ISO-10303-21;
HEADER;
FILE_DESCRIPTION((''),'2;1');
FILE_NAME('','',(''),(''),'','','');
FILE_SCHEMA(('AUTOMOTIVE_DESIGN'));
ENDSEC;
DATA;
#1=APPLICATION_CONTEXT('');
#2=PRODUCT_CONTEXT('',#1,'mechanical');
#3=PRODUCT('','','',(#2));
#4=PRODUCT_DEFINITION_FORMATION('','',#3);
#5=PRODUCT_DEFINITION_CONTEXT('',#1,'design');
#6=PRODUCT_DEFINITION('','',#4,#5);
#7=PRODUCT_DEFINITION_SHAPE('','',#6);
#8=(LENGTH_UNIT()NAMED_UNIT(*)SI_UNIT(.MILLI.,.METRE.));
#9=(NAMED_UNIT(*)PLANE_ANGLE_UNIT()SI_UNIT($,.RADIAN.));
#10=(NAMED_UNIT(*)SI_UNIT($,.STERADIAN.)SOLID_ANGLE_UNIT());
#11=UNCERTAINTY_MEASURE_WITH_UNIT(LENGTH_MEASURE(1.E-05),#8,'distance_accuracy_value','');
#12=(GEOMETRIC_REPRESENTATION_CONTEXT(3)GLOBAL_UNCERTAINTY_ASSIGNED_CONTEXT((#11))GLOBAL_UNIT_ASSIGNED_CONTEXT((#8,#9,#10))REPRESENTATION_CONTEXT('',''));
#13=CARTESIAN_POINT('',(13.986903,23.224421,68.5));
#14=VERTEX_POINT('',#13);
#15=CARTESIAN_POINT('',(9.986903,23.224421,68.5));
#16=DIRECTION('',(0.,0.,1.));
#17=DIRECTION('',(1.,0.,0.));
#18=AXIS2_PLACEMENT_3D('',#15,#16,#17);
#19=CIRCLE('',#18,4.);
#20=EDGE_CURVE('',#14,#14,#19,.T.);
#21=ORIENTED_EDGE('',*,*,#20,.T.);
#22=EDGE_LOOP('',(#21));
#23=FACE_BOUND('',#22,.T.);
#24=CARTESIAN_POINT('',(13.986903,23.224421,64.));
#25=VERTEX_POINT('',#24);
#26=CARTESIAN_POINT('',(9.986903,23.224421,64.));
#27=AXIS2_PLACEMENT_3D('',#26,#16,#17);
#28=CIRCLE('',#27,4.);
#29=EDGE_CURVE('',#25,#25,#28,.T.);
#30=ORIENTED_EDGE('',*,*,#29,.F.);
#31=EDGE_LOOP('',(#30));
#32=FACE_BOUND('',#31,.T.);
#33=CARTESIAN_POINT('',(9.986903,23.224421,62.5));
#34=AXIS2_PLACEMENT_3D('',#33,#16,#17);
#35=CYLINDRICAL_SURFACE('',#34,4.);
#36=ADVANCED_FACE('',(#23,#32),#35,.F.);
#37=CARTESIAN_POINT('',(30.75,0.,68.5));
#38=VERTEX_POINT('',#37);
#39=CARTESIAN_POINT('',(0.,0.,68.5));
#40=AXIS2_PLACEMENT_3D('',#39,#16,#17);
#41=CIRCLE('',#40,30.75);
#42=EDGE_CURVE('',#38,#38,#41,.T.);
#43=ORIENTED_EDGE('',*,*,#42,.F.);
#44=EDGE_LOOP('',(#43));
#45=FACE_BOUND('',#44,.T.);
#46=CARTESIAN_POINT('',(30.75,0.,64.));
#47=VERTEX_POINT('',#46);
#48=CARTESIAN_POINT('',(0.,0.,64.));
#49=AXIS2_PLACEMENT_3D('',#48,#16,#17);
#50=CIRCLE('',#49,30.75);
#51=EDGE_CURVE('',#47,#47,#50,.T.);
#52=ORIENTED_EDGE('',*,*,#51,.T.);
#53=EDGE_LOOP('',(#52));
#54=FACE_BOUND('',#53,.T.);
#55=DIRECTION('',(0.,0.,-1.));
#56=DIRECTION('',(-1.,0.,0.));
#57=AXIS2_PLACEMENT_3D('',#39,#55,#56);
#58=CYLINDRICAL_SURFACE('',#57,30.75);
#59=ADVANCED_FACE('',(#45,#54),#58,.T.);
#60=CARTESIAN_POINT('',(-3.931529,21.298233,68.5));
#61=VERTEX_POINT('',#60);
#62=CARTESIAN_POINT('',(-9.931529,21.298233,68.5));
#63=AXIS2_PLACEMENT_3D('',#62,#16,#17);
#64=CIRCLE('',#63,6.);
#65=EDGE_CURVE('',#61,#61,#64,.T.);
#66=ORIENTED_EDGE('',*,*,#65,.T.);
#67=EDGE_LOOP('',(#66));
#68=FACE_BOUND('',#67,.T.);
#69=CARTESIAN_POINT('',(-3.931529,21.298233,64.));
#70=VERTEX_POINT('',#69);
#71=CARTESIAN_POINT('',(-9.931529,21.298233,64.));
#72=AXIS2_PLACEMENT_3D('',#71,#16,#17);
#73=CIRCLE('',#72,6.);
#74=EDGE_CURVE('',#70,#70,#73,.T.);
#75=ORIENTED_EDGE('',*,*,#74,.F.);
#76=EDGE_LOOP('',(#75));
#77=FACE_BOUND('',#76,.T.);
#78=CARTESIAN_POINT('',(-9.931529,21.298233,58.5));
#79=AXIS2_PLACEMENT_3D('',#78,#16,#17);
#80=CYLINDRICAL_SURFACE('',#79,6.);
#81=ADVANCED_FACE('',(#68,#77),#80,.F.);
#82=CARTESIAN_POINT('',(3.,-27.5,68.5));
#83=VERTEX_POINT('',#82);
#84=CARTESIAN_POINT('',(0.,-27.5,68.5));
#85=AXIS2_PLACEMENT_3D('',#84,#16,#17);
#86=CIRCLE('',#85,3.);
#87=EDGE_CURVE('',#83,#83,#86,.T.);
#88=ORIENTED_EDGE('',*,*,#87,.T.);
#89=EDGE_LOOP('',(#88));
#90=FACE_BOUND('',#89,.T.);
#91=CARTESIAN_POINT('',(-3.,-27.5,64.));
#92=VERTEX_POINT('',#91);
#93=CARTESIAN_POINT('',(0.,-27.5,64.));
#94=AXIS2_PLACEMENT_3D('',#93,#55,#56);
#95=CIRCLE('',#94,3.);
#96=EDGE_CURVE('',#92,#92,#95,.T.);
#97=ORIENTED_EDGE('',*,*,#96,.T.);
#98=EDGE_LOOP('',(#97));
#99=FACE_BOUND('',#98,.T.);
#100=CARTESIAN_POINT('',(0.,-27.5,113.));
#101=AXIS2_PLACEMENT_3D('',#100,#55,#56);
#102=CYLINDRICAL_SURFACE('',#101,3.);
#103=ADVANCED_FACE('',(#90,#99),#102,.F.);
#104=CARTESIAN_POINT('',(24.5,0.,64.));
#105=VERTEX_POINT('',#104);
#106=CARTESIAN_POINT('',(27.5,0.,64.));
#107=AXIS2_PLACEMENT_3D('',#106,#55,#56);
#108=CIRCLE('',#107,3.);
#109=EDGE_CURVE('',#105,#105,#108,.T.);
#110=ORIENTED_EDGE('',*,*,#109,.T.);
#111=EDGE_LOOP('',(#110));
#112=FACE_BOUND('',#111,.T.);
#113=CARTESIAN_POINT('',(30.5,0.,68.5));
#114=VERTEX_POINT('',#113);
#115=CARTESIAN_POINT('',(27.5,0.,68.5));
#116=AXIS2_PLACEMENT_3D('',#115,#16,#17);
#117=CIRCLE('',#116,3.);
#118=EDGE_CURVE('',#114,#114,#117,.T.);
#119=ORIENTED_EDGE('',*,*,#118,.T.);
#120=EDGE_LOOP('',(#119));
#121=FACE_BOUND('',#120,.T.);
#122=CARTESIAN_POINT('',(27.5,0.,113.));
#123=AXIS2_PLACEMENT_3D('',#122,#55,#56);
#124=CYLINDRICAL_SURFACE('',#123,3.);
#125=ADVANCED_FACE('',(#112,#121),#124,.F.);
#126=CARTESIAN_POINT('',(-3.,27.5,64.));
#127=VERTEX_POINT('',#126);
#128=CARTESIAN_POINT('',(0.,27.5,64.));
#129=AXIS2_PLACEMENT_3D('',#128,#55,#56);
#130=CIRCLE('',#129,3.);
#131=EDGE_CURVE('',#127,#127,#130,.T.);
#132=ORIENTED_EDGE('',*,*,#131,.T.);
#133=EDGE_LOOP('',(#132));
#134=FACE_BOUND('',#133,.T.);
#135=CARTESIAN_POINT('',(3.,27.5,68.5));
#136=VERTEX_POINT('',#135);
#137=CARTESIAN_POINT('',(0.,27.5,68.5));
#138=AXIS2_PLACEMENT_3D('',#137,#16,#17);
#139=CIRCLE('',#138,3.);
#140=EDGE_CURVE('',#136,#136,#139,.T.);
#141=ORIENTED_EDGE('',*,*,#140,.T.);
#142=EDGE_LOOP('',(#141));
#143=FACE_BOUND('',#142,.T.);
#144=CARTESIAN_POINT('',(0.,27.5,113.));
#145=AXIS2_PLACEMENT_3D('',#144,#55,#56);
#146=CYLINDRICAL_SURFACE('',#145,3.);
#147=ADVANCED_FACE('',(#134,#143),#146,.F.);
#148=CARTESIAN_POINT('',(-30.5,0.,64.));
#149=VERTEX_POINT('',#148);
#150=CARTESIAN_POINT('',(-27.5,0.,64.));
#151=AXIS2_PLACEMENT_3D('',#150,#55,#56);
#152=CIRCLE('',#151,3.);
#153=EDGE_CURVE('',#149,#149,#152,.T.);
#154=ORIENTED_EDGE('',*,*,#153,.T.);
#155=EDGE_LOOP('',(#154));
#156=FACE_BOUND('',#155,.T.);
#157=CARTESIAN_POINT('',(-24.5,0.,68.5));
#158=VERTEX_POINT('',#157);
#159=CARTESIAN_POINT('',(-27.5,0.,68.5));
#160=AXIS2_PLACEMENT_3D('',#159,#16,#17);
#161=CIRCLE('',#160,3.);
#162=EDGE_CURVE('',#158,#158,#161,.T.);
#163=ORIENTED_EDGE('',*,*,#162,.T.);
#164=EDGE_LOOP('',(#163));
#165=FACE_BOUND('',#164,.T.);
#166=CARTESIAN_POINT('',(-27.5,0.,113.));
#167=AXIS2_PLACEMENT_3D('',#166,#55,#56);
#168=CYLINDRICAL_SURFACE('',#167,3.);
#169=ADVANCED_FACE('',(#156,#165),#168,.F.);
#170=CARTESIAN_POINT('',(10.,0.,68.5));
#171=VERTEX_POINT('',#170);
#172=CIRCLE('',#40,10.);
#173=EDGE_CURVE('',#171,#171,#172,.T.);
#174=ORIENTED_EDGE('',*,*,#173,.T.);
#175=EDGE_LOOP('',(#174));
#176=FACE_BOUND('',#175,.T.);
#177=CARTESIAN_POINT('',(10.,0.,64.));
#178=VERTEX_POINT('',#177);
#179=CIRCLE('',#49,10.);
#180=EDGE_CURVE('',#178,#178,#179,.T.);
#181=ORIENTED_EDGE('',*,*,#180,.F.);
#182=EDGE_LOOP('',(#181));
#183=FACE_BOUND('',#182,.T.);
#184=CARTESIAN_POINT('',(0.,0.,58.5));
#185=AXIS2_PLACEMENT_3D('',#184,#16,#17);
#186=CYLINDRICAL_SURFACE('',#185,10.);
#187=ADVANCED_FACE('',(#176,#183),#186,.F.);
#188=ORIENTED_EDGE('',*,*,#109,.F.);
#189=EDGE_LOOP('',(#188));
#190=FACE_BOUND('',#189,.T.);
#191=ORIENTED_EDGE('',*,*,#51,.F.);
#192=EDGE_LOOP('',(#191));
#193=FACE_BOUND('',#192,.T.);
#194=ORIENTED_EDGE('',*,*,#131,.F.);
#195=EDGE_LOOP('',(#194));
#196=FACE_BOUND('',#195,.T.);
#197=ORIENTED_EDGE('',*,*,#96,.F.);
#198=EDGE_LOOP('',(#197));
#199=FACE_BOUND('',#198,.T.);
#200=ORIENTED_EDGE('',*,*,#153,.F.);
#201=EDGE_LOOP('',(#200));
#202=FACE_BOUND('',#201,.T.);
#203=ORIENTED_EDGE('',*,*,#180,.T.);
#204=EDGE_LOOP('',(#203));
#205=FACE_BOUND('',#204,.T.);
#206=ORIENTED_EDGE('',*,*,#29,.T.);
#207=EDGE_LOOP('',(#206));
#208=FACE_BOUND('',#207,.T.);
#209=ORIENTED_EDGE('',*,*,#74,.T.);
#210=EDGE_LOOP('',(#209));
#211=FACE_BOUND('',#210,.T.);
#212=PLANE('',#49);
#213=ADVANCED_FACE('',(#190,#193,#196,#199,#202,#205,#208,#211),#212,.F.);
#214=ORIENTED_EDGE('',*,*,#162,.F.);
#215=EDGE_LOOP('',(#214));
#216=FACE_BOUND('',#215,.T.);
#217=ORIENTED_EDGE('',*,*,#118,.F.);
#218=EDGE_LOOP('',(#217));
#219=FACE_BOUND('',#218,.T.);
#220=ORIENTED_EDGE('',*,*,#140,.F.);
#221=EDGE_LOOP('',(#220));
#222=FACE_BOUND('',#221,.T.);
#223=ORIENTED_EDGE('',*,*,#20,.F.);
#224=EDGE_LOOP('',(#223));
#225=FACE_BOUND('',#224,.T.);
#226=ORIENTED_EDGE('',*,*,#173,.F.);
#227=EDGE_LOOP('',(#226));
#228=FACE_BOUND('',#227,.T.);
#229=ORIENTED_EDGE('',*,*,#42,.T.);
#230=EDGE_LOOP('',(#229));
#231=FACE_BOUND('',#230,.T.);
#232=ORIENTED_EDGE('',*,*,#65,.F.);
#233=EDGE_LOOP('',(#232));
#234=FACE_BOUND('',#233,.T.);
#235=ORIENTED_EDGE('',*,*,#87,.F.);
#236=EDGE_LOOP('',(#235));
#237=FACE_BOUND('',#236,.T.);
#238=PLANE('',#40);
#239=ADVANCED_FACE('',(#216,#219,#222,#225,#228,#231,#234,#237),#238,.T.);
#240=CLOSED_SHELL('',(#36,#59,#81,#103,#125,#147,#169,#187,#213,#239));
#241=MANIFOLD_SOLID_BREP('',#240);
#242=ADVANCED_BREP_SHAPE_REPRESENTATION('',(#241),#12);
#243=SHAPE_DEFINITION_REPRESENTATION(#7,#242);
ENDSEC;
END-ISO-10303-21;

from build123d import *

# Parameters (mm, degrees)
ESQUISSE1_R                  = 30.75
BOSS_EXTRU_1_DEPTH           = 8
ESQUISSE2_R                  = 3
BOSS_EXTRU_2_DEPTH           = 56
ESQUISSE4_R                  = 30.75
BOSS_EXTRU_4_DEPTH           = 4.5
ESQUISSE6_R                  = 3
BOSS_EXTRU_5_DEPTH           = 40
ESQUISSE12_R                 = 4
ENL_V_MAT_EXTRU_1_DEPTH      = 6
ESQUISSE13_R                 = 6
ENL_V_MAT_EXTRU_2_DEPTH      = 10
ESQUISSE15_R                 = 10
ENL_V_MAT_EXTRU_3_DEPTH      = 10
ESQUISSE18_R                 = 30.75
BOSS_EXTRU_10_DEPTH          = 4.5
ESQUISSE19_R                 = 2.05
ENL_V_MAT_EXTRU_4_DEPTH      = 62
ESQUISSE20_R                 = 3.5
ENL_V_MAT_EXTRU_5_DEPTH      = 10
ESQUISSE21_R                 = 3
ENL_V_MAT_EXTRU_6_DEPTH      = 78.376514687
ENL_V_MAT_EXTRU_7_DEPTH      = 122.079003185
ENL_V_MAT_EXTRU_7_DEPTH_BACK = 122.079003185
ESQUISSE22_W                 = 61.5
ESQUISSE22_H                 = 64
ESQUISSE22_H_2               = 4.5


with BuildPart() as part:
    # Esquisse1 → Boss.-Extru.1 (new body)
    with BuildSketch(Plane.XY):
        Circle(ESQUISSE1_R)
    extrude(amount=BOSS_EXTRU_1_DEPTH)

    # Esquisse2 → Boss.-Extru.2 (add)
    with BuildSketch(Plane.XY.offset(8)):
        with Locations((0, 27.5)):
            Circle(ESQUISSE2_R)
        with Locations((27.5, 0)):
            Circle(ESQUISSE2_R)
        with Locations((-27.5, 0)):
            Circle(ESQUISSE2_R)
        with Locations((0, -27.5)):
            Circle(ESQUISSE2_R)
    extrude(amount=BOSS_EXTRU_2_DEPTH)

    # Esquisse4 → Boss.-Extru.4 (add)
    with BuildSketch(Plane.XY.offset(64)):
        Circle(ESQUISSE4_R)
    extrude(amount=BOSS_EXTRU_4_DEPTH)

    # Esquisse6 → Boss.-Extru.5 (add)
    with BuildSketch(Plane.XY.offset(68.5)):
        with Locations((0, -27.5)):
            Circle(ESQUISSE6_R)
        with Locations((-27.5, 0)):
            Circle(ESQUISSE6_R)
        with Locations((0, 27.5)):
            Circle(ESQUISSE6_R)
        with Locations((27.5, 0)):
            Circle(ESQUISSE6_R)
    extrude(amount=BOSS_EXTRU_5_DEPTH)

    # Esquisse12 → Enlèv. mat.-Extru.1 (cut)
    with BuildSketch(Plane.XY.offset(68.5)):
        with Locations((9.98690327, 23.224420757)):
            Circle(ESQUISSE12_R)
    extrude(amount=-ENL_V_MAT_EXTRU_1_DEPTH, mode=Mode.SUBTRACT)

    # Esquisse13 → Enlèv. mat.-Extru.2 (cut)
    with BuildSketch(Plane.XY.offset(68.5)):
        with Locations((-9.931529151, 21.298232995)):
            Circle(ESQUISSE13_R)
    extrude(amount=-ENL_V_MAT_EXTRU_2_DEPTH, mode=Mode.SUBTRACT)

    # Esquisse15 → Enlèv. mat.-Extru.3 (cut)
    with BuildSketch(Plane.XY.offset(68.5)):
        Circle(ESQUISSE15_R)
    extrude(amount=-ENL_V_MAT_EXTRU_3_DEPTH, mode=Mode.SUBTRACT)

    # Esquisse18 → Boss.-Extru.10 (add)
    with BuildSketch(Plane.XY.offset(108.5)):
        Circle(ESQUISSE18_R)
    extrude(amount=BOSS_EXTRU_10_DEPTH)

    # Esquisse19 → Enlèv. mat.-Extru.4 (cut)
    with BuildSketch(Plane.ZY.offset(30.75)):
        with Locations((4, 0.25)):
            Circle(ESQUISSE19_R)
    extrude(amount=-ENL_V_MAT_EXTRU_4_DEPTH, mode=Mode.SUBTRACT)

    # Esquisse20 → Enlèv. mat.-Extru.5 (cut)
    with BuildSketch(Plane.XY.offset(113)):
        with Locations((21.297953152, 14.912987345)):
            Circle(ESQUISSE20_R)
        with Locations((-14.912987345, 21.297953152)):
            Circle(ESQUISSE20_R)
        with Locations((-21.297953152, -14.912987345)):
            Circle(ESQUISSE20_R)
        with Locations((14.912987345, -21.297953152)):
            Circle(ESQUISSE20_R)
    extrude(amount=-ENL_V_MAT_EXTRU_5_DEPTH, mode=Mode.SUBTRACT)

    # Esquisse21 → Enlèv. mat.-Extru.6 (cut, through all)
    with BuildSketch(Plane(origin=(0, 0, 64), x_dir=(-1, 0, 0), z_dir=(0, 0, -1))):
        with Locations((0, 27.5)):
            Circle(ESQUISSE21_R)
        with Locations((-27.5, 0)):
            Circle(ESQUISSE21_R)
        with Locations((0, -27.5)):
            Circle(ESQUISSE21_R)
        with Locations((27.5, 0)):
            Circle(ESQUISSE21_R)
    extrude(amount=-ENL_V_MAT_EXTRU_6_DEPTH, mode=Mode.SUBTRACT)


with BuildPart() as enl_v_mat_extru_6_piece_1:
    # of the separate pieces the step leaves, piece 1, a body of its own (enl_v_mat_extru_6_pieces)
    add(part.part.solids().sort_by_distance((3, -27.5, 8))[0])


with BuildPart() as enl_v_mat_extru_6_piece_2:
    # of the separate pieces the step leaves, piece 2, a body of its own (enl_v_mat_extru_6_pieces)
    add(part.part.solids().sort_by_distance((30.75, 0, 108.5))[0])


with BuildPart() as enl_v_mat_extru_6_piece_3:
    # of the separate pieces the step leaves, piece 3, a body of its own (enl_v_mat_extru_6_pieces)
    add(part.part.solids().sort_by_distance((30.75, 0, 68.5))[0])


with BuildPart() as enl_v_mat_extru_7_tool:
    # Esquisse22 → Enlèv. mat.-Extru.7 (new, two sides: drawn at the far end of the back side and taken through both)
    with BuildSketch(Plane(origin=(0, 0, 0), x_dir=(1, 0, 0), z_dir=(0, 1, 0)).offset(-ENL_V_MAT_EXTRU_7_DEPTH_BACK)):
        with Locations((0, -32)):
            Rectangle(ESQUISSE22_W, ESQUISSE22_H)
        with Locations((0, -110.75)):
            Rectangle(ESQUISSE22_W, ESQUISSE22_H_2)
    extrude(amount=ENL_V_MAT_EXTRU_7_DEPTH + ENL_V_MAT_EXTRU_7_DEPTH_BACK)


with BuildPart() as enl_v_mat_extru_6_piece_1_1:
    add(enl_v_mat_extru_6_piece_1.part)

    # Enlèv. mat.-Extru.7: cut by enl_v_mat_extru_7_tool
    add(enl_v_mat_extru_7_tool.part, mode=Mode.SUBTRACT)


with BuildPart() as enl_v_mat_extru_6_piece_2_1:
    add(enl_v_mat_extru_6_piece_2.part)

    # Enlèv. mat.-Extru.7: cut by enl_v_mat_extru_7_tool
    add(enl_v_mat_extru_7_tool.part, mode=Mode.SUBTRACT)


solid = enl_v_mat_extru_6_piece_3.part
